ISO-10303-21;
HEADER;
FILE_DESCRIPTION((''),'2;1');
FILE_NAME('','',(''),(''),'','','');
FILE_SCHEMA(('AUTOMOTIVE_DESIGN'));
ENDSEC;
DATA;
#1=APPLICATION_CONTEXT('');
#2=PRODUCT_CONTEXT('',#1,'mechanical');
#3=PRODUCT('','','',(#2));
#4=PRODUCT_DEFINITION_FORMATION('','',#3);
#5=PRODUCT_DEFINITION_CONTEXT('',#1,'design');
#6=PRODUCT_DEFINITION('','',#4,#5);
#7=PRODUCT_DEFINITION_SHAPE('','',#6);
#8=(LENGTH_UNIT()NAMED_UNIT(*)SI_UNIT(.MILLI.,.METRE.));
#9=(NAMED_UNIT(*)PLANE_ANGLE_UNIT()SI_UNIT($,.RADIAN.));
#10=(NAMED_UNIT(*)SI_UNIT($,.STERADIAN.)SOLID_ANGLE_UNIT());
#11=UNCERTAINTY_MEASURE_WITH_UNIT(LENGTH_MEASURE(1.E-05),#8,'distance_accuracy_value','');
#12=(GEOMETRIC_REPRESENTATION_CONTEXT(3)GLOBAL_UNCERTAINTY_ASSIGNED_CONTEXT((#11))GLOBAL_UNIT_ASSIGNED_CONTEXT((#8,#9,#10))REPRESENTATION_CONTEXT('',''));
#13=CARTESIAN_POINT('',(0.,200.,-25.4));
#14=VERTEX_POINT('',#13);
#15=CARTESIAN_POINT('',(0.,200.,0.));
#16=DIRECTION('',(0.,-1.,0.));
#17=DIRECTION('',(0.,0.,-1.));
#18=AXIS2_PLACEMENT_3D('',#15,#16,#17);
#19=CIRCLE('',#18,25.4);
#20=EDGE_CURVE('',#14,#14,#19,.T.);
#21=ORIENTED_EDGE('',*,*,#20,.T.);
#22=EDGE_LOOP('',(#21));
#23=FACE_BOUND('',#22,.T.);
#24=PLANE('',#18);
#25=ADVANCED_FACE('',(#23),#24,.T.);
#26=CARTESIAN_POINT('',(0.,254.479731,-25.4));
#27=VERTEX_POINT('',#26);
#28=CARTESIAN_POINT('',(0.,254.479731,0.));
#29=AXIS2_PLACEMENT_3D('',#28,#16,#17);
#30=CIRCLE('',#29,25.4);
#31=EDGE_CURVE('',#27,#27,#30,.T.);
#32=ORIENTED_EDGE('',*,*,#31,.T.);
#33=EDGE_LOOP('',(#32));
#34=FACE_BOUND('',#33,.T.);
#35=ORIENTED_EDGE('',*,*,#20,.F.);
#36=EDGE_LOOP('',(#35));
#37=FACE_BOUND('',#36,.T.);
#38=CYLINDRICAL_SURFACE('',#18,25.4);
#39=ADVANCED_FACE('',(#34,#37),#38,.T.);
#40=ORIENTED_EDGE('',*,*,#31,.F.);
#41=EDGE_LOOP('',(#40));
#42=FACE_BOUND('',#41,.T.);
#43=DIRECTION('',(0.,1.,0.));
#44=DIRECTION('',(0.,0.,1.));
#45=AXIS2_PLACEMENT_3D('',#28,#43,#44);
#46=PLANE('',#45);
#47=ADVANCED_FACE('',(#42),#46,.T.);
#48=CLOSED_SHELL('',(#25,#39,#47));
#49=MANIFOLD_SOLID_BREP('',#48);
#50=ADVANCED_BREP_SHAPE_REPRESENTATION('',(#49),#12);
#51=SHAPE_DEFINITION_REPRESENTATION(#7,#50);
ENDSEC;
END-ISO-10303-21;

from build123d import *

# Parameters (mm, degrees)
SKETCH1_W = 25.4
SKETCH1_H = 54.47973101


with BuildPart() as part:
    # Sketch1 → Revolve1 (revolve)
    with BuildSketch(Plane.XY, mode=Mode.PRIVATE) as revolve1_sk:
        with Locations((12.7, 227.239865505)):
            Rectangle(SKETCH1_W, SKETCH1_H)
    revolve(revolve1_sk.sketch.rotate(Axis((0, 200, 0), (0, 1, 0)), 90), axis=Axis((0, 200, 0), (0, 1, 0)))


solid = part.part
